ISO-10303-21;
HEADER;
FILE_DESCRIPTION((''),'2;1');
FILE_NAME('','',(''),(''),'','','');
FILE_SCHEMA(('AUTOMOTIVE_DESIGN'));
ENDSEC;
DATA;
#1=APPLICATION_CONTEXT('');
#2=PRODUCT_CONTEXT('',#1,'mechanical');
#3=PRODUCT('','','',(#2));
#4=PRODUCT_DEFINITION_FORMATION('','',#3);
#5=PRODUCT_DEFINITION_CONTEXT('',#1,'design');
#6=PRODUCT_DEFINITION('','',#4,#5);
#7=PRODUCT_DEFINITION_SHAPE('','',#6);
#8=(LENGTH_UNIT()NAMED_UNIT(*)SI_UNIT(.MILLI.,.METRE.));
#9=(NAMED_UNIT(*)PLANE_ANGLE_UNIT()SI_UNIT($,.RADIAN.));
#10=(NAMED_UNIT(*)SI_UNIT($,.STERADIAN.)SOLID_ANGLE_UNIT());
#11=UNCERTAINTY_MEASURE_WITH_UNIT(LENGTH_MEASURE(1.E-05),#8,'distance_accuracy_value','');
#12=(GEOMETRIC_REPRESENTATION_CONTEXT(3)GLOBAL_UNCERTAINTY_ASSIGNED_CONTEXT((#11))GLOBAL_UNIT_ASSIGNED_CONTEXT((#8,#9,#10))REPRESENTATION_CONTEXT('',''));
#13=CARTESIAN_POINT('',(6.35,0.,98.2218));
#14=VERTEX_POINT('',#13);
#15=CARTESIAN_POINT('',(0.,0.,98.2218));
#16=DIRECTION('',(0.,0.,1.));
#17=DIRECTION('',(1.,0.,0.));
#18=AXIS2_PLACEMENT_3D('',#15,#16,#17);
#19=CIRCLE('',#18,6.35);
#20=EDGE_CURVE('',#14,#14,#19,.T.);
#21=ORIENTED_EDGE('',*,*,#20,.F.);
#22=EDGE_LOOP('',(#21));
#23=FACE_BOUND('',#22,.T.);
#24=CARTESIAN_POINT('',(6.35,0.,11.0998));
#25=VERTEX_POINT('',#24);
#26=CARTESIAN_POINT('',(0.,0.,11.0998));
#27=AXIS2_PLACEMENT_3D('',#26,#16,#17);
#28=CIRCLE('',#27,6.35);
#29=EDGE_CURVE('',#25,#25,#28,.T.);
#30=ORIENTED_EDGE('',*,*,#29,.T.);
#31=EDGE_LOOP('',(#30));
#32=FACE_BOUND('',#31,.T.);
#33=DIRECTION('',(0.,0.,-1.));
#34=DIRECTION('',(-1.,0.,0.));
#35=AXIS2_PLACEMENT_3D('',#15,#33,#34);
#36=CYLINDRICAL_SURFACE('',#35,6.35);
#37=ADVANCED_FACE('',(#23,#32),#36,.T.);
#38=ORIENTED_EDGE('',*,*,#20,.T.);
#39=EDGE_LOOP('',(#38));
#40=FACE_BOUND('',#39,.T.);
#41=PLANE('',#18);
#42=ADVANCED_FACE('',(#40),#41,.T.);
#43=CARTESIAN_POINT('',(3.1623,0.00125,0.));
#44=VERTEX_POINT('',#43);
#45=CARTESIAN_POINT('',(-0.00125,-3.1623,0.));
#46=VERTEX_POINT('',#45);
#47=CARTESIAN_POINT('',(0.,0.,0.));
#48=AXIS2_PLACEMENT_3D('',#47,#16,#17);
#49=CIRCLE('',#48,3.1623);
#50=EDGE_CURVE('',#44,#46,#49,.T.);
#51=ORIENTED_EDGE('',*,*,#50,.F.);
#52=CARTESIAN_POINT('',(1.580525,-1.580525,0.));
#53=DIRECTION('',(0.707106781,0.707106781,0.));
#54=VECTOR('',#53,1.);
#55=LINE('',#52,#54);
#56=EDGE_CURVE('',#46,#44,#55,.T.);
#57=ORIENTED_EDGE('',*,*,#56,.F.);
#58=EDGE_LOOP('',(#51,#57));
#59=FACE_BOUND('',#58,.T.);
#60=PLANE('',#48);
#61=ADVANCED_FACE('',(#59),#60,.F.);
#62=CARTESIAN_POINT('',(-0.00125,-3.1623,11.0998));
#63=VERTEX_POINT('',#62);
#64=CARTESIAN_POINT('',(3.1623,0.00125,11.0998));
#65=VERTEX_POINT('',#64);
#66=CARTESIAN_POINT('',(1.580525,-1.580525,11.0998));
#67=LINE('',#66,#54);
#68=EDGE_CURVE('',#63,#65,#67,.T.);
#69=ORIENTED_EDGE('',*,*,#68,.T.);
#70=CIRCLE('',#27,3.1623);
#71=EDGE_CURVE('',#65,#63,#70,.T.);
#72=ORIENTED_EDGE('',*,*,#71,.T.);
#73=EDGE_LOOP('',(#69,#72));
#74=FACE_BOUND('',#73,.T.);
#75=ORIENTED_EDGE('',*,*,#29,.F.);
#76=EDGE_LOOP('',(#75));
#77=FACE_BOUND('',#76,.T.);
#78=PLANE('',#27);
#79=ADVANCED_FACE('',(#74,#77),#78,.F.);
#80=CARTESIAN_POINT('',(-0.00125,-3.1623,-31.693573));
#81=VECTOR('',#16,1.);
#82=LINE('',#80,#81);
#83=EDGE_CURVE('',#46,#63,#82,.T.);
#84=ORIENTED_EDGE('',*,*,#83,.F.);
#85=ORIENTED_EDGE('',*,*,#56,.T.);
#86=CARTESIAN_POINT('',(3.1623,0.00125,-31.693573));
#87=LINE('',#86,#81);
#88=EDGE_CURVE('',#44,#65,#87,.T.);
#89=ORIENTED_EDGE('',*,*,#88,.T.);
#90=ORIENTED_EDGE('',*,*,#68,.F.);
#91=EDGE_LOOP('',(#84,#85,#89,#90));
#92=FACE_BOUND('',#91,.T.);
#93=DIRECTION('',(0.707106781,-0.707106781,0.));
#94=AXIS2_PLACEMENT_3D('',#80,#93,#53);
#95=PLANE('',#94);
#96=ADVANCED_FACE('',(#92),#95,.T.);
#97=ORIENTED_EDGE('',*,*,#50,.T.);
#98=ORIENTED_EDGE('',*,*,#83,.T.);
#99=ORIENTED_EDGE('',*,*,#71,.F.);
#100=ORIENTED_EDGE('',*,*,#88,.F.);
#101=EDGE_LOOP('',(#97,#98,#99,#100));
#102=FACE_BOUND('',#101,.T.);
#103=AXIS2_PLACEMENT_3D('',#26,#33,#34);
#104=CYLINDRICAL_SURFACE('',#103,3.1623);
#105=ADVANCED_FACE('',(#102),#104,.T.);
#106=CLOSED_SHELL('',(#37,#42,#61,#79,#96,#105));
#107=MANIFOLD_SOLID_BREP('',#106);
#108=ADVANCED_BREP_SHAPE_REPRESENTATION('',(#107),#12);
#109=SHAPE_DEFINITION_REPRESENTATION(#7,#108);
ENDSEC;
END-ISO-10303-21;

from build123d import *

# Parameters (mm, degrees)
SKETCH1_R               = 3.1623
BOSS_EXTRUDE1_DEPTH     = 11.0998
CUT_EXTRUDE1_DEPTH      = 1
CUT_EXTRUDE1_DEPTH_BACK = 12.0998
SKETCH3_R               = 6.35
BOSS_EXTRUDE2_DEPTH     = 87.122


with BuildPart() as part:
    # Sketch1 → Boss-Extrude1 (new body)
    with BuildSketch(Plane.XY):
        Circle(SKETCH1_R)
    extrude(amount=BOSS_EXTRUDE1_DEPTH)

    # Sketch2 → Cut-Extrude1 (cut, two sides)
    with BuildSketch(Plane(origin=(0, 0, 0), x_dir=(-1, 0, 0), z_dir=(0, 0, -1))) as cut_extrude1_sk:
        Polygon((17.073178183, -20.234228338), (0.001249598, -3.162299753), (-3.162299753, 0.001249598), (-20.234228338, 17.073178183), (-54.378085507, -17.070678986), (-17.070678986, -54.378085507), align=None)
    extrude(amount=CUT_EXTRUDE1_DEPTH, mode=Mode.SUBTRACT)
    extrude(cut_extrude1_sk.sketch, amount=-CUT_EXTRUDE1_DEPTH_BACK, mode=Mode.SUBTRACT)

    # Sketch3 → Boss-Extrude2 (add)
    with BuildSketch(Plane.XY.offset(11.0998)):
        Circle(SKETCH3_R)
    extrude(amount=BOSS_EXTRUDE2_DEPTH)


solid = part.part
